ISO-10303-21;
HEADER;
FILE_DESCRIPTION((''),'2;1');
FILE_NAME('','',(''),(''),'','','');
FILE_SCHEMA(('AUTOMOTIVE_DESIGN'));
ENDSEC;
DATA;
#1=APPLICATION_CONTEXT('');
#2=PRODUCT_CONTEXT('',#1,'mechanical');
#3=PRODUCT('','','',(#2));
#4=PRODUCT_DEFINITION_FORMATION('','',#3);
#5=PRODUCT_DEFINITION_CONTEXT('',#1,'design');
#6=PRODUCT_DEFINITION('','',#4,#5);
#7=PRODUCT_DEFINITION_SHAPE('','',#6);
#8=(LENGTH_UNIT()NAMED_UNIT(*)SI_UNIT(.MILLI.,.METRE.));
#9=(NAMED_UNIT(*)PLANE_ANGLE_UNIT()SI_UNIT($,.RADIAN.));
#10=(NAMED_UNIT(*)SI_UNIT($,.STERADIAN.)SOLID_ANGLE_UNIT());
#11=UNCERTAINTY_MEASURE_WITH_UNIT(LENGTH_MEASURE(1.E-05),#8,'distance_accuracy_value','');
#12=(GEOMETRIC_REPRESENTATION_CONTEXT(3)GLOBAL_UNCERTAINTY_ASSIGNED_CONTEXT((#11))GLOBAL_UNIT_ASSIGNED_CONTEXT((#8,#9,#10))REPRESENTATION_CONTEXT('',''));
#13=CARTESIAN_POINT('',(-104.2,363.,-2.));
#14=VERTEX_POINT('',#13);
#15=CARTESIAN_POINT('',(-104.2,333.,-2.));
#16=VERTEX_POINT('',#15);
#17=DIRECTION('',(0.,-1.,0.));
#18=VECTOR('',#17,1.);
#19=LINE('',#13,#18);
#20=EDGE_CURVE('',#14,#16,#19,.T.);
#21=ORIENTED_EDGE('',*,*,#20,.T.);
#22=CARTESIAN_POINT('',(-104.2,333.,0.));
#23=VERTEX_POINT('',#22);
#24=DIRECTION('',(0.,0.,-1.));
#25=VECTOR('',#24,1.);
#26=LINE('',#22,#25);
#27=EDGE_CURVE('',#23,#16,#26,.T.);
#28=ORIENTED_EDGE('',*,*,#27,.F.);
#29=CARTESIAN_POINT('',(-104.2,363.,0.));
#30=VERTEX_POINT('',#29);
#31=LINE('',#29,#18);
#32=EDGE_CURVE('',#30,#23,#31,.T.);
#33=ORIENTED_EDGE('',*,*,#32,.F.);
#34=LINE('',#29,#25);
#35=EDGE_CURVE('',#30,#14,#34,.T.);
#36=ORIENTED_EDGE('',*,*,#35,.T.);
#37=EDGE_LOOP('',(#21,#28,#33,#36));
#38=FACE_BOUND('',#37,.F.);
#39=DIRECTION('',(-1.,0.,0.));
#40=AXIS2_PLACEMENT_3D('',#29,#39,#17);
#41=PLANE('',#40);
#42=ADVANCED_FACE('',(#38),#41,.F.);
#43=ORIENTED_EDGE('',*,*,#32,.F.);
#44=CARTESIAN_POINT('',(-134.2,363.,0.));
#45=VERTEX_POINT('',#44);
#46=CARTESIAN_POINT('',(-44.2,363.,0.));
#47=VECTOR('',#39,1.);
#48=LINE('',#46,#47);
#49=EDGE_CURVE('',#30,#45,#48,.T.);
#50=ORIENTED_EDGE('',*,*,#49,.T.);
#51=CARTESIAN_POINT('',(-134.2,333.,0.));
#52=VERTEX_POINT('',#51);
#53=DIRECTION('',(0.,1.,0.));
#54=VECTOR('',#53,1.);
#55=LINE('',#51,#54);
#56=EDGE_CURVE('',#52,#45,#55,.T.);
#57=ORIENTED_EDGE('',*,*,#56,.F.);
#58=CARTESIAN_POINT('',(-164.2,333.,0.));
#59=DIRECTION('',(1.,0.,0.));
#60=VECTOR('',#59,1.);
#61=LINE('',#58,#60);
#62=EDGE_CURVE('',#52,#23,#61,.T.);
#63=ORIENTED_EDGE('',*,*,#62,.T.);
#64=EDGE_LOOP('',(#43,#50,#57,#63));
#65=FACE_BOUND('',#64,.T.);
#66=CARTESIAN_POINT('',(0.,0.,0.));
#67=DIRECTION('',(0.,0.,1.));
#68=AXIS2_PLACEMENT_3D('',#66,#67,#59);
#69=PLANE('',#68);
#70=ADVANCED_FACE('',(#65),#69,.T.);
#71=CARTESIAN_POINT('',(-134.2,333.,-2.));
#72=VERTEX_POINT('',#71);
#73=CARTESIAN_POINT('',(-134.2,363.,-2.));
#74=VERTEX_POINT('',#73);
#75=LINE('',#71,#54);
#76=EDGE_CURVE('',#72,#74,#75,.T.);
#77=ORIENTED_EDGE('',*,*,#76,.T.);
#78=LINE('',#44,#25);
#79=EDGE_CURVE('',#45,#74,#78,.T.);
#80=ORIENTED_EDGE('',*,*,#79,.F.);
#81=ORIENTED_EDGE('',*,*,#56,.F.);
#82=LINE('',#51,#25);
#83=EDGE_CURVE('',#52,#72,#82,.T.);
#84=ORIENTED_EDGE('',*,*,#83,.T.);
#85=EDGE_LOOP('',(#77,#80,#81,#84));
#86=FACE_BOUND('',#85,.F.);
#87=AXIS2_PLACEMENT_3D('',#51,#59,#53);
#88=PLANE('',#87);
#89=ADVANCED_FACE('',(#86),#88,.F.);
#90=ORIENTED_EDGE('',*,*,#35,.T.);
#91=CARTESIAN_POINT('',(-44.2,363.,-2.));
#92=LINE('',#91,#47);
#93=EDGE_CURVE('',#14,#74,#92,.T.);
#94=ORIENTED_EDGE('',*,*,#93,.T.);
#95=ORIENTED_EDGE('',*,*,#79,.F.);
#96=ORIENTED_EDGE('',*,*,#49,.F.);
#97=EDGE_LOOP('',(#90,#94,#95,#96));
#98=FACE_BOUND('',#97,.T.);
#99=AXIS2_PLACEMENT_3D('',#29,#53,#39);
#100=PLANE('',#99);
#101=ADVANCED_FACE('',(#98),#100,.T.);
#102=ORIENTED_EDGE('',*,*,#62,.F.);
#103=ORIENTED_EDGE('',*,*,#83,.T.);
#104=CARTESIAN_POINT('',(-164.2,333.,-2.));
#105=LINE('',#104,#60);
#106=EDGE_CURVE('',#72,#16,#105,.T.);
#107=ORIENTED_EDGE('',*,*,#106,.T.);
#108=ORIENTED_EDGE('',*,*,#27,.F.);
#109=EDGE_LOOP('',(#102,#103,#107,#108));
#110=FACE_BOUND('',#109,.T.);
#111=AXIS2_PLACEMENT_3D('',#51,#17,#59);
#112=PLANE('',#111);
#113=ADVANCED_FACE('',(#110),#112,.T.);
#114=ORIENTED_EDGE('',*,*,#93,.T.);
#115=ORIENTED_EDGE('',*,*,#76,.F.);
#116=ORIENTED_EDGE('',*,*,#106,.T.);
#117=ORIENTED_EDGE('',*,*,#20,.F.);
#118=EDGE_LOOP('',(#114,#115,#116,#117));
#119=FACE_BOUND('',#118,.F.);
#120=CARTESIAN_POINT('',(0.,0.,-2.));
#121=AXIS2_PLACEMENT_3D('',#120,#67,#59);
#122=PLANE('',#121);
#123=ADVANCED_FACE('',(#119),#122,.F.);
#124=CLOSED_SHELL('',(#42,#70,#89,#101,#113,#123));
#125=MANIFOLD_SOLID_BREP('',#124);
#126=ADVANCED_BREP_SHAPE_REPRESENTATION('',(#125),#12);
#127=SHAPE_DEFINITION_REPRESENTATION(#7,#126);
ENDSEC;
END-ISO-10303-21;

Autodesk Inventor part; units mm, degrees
ref_plane "YZ Plane" through (0, 0, 0) normal (1, 0, 0) x (0, 1, 0)
ref_plane "XZ Plane" through (0, 0, 0) normal (0, 1, 0) x (-1, 0, 0)
ref_plane "XY Plane" through (0, 0, 0) normal (0, 0, 1) x (1, 0, 0)
ref_plane "Plano de trabajo1" through (0, 0, 0) normal (0, 0, 1) x (1, 0, 0)
sketch "Boceto1" plane through (0, 0, 0) normal (0, 0, 1) x (1, 0, 0)
  line L0 (-164.2, 333) -> (-44.2, 333)
  line L1 (-44.2, 333) -> (-44.2, 363)
  line L2 (-44.2, 363) -> (-164.2, 363)
  line L3 (-164.2, 363) -> (-164.2, 333)
  line L4 (-74.2, 363) -> (-74.2, 333)
  line L5 (-104.2, 363) -> (-104.2, 333)
  line L6 (-134.2, 333) -> (-134.2, 363)
  point P0 (0, 0)
  dimension "d0" = 120
  dimension "d1" = 30
  dimension "d2" = 30
  dimension "d3" = 30
extrude "Extrusión1" add sketch "Boceto1" against normal blind 2 contours L6 L2 L5 L0
equation "\"Radio_pliegue\" = Grosor"
equation "\"Anchura_desahogo_plegado\" = Grosor"
equation "\"Profundidad_desahogo_plegado\" = 0.5 * Grosor"
equation "\"Tamaño_destalonado\" = 4 * Grosor"
equation "\"Remanente_mínimo\" = 2 * Grosor"
equation "\"Radiodetransición\" = Radio_pliegue"
equation "\"Tamaño_de_radio_de_Jacobi\" = Radio_pliegue"
equation "\"TamañoSeparación\" = Grosor"
equation "\"Grosor\" = 0.5"
